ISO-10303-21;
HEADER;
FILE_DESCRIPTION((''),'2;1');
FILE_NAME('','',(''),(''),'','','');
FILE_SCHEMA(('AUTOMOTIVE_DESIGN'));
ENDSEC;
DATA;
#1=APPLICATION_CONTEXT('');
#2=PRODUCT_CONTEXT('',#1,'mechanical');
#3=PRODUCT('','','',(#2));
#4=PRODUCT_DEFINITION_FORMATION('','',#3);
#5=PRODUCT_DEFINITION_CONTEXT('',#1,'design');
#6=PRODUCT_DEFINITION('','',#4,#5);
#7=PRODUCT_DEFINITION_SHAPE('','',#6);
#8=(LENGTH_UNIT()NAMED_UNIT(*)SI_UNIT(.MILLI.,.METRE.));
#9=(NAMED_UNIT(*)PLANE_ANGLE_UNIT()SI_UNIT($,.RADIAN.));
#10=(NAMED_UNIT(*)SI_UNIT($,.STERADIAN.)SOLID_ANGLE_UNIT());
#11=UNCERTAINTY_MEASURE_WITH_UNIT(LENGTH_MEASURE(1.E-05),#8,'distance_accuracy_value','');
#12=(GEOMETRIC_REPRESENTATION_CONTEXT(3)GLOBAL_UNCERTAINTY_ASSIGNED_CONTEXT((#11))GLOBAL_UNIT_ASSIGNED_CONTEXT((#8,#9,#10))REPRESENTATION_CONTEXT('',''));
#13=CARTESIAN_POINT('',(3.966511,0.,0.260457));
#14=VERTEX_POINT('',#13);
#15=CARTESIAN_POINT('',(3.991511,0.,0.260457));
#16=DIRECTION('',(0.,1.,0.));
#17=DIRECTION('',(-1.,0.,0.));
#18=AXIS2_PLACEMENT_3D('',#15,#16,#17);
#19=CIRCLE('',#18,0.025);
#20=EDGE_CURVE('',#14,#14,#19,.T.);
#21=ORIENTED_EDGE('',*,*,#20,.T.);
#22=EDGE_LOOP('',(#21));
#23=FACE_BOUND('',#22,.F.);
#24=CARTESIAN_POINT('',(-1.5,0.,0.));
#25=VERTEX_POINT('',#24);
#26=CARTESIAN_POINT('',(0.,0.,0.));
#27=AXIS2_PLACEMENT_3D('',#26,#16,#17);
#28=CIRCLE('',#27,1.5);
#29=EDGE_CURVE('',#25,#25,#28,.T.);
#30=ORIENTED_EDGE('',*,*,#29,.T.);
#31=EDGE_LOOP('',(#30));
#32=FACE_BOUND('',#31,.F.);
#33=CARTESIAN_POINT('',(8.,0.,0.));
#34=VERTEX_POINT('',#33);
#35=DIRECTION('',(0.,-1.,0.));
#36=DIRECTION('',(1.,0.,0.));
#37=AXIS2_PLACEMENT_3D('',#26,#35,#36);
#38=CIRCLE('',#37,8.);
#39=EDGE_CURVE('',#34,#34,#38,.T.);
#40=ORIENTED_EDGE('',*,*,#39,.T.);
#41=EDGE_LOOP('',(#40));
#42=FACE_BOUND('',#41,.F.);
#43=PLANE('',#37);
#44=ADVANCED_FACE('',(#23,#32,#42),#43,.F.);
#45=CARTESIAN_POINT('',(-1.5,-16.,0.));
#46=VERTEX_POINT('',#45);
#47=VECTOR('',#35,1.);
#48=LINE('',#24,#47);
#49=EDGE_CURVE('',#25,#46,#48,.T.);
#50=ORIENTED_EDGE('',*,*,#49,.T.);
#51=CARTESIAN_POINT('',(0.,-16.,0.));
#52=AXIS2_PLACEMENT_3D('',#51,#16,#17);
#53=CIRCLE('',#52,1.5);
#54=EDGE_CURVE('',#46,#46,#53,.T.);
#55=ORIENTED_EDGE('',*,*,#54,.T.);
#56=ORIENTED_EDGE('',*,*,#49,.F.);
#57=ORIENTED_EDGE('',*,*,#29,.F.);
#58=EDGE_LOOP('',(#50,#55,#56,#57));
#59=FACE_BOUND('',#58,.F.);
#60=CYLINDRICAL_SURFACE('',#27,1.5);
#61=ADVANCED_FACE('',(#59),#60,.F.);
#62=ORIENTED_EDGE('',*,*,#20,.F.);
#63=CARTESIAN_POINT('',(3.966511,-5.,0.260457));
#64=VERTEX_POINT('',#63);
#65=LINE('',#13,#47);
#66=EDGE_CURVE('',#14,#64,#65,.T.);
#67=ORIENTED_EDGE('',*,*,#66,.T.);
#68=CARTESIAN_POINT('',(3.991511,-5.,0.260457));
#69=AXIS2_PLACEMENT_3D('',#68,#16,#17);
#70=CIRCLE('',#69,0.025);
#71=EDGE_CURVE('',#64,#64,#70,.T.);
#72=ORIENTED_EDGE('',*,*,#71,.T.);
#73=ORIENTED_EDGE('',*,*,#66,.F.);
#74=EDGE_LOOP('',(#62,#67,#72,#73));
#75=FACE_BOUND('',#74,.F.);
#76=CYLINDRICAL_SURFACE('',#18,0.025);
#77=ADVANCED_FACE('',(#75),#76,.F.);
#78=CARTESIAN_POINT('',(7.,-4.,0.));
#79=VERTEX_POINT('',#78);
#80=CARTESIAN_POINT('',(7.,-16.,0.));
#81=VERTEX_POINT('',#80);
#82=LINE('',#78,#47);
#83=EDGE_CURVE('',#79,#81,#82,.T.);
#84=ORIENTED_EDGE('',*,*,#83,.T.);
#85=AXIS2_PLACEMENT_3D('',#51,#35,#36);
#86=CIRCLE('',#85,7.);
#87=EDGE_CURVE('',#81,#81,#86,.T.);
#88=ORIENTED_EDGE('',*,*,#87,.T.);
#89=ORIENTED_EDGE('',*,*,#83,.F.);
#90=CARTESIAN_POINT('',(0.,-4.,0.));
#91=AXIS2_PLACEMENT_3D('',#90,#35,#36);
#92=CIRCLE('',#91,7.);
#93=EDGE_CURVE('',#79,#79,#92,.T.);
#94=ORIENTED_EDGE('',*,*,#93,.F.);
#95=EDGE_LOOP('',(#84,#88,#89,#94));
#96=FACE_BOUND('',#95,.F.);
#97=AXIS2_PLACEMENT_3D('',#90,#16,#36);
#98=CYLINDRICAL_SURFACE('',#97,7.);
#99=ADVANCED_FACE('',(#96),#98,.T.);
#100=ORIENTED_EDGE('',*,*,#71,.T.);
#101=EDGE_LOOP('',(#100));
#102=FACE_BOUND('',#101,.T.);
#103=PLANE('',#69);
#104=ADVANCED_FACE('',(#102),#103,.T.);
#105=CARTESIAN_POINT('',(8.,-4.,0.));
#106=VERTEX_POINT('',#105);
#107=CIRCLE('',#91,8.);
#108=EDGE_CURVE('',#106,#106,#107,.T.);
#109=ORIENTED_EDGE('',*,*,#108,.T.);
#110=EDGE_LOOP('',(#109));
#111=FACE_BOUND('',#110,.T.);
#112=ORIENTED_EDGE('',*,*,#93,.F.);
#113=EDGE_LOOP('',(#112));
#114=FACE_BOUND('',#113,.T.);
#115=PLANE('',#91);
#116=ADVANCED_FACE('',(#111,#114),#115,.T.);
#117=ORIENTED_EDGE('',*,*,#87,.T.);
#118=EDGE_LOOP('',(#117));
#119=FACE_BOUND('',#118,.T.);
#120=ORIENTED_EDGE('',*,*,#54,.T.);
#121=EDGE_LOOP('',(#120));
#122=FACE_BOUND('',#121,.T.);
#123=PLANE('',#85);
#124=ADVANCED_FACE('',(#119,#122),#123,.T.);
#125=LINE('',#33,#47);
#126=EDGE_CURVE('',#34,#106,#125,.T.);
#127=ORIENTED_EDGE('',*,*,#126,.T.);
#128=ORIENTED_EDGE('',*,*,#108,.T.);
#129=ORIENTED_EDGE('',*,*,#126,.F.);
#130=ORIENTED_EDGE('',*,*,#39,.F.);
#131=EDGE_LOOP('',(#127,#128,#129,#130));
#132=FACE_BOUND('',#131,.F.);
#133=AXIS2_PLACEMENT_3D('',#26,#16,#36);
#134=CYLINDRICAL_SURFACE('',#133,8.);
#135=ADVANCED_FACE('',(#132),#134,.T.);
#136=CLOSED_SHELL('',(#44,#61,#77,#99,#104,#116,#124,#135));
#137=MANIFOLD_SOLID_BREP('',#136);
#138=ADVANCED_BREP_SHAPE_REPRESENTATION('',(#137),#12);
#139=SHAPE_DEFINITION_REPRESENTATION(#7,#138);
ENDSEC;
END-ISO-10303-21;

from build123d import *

# Parameters (mm, degrees)
F0_R     = 8
F1_DEPTH = 4
F2_R     = 7
F3_DEPTH = 12
F4_R     = 1.5
F5_DEPTH = 16.001
F6_R     = 0.025
F7_DEPTH = 5


with BuildPart() as f1:
    # F0 (on Front) → F1 (new body)
    with BuildSketch(Plane.XZ):
        Circle(F0_R)
    extrude(amount=F1_DEPTH)

    # F2 (on face) → F3 (join)
    with BuildSketch(Plane.XZ.offset(4)):
        Circle(F2_R)
    extrude(amount=F3_DEPTH)

    # F4 (on face) → F5 (cut, through all)
    with BuildSketch(Plane(origin=(0, 0, 0), x_dir=(-1, 0, 0), z_dir=(0, 1, 0))):
        Circle(F4_R)
    extrude(amount=-F5_DEPTH, mode=Mode.SUBTRACT)

    # F6 (on face) → F7 (cut)
    with BuildSketch(Plane(origin=(0, 0, 0), x_dir=(-1, 0, 0), z_dir=(0, 1, 0))):
        with Locations((-3.991511, 0.260457)):
            Circle(F6_R)
    extrude(amount=-F7_DEPTH, mode=Mode.SUBTRACT)


solid = f1.part
